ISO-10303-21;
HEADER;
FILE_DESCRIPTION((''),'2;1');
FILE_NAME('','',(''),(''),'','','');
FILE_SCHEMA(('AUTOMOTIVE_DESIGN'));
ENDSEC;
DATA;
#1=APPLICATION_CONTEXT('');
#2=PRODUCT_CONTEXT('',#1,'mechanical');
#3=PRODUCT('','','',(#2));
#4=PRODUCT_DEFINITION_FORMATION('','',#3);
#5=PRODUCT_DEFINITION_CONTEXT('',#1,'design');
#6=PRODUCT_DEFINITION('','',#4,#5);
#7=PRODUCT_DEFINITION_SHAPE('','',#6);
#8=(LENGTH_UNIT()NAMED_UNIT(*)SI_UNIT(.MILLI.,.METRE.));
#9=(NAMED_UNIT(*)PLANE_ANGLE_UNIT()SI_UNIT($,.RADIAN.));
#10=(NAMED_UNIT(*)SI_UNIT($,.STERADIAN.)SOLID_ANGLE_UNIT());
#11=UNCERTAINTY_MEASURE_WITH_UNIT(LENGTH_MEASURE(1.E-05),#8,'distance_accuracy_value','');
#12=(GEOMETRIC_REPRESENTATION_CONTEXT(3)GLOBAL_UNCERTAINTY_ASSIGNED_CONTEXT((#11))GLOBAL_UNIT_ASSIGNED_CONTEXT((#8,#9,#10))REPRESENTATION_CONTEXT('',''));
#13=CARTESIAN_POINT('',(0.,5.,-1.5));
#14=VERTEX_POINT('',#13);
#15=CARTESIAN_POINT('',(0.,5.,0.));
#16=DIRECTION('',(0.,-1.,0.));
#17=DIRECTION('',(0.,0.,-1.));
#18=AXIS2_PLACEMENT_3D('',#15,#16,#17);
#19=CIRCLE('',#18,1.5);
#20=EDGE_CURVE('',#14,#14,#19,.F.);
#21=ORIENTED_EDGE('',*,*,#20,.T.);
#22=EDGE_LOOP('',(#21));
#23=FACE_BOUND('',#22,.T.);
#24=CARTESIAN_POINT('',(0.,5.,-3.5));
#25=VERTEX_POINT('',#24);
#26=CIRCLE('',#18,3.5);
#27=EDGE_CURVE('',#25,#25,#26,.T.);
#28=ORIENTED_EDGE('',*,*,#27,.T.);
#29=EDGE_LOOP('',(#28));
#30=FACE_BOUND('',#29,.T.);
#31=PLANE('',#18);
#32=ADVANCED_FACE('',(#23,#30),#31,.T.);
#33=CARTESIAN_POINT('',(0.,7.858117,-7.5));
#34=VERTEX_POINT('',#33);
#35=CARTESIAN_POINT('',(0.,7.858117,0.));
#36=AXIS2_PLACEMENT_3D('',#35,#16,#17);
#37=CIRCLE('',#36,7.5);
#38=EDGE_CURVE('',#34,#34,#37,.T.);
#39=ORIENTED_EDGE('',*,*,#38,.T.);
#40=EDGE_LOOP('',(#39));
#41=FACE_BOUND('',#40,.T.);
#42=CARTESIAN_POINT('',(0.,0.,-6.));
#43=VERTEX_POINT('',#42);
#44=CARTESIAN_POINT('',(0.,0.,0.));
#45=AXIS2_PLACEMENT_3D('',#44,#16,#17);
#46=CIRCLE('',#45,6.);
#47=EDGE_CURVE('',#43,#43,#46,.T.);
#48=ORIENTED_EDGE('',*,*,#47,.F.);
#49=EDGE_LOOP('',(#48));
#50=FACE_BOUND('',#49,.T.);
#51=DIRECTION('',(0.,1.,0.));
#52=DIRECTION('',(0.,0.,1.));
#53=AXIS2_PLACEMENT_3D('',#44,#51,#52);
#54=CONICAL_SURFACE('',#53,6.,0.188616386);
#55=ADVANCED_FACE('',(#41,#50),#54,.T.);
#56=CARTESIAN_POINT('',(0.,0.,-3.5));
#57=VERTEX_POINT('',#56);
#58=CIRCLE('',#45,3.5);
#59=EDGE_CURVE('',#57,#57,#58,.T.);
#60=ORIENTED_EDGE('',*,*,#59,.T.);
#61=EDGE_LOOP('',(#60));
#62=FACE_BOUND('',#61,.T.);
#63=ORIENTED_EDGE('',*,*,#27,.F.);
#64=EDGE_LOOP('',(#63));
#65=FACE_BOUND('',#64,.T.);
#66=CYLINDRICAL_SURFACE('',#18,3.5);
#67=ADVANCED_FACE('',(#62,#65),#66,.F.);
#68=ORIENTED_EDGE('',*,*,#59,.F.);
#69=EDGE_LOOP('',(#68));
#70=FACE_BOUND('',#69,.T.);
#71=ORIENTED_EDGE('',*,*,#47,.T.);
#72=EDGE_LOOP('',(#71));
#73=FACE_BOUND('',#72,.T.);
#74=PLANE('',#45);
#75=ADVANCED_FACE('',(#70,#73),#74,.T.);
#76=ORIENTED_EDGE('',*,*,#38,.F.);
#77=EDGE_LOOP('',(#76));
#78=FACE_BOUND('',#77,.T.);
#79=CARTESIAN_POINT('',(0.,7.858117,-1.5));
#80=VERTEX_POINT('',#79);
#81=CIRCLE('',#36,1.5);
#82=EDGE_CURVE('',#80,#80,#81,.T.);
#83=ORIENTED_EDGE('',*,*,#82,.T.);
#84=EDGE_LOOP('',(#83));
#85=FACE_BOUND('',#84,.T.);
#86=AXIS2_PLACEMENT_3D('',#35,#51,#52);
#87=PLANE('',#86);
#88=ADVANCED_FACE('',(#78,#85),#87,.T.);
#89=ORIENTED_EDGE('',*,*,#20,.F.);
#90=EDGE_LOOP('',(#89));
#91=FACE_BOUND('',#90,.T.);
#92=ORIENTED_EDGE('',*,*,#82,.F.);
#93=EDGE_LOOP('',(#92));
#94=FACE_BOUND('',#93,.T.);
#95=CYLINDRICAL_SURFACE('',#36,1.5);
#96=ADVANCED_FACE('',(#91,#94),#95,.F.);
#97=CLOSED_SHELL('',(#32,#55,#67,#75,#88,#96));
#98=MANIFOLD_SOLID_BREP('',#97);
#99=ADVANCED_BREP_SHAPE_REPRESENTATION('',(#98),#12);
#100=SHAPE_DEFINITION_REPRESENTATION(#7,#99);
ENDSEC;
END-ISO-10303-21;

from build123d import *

# Parameters (mm, degrees)
SKETCH3_R          = 1.5
CUT_EXTRUDE1_DEPTH = 8.858116823
SKETCH4_R          = 3.5
CUT_EXTRUDE2_DEPTH = 5


with BuildPart() as part:
    # Sketch2 → Revolve1 (revolve)
    with BuildSketch(Plane.XY):
        Polygon((0, 0), (6, 0), (7.5, 7.858116823), (0, 7.858116823), align=None)
    revolve(axis=Axis((0, 0, 0), (0, 1, 0)))

    # Sketch3 → Cut-Extrude1 (cut, through all)
    with BuildSketch(Plane(origin=(0, 0, 0), x_dir=(-1, 0, 0), z_dir=(0, -1, 0))):
        Circle(SKETCH3_R)
    extrude(amount=-CUT_EXTRUDE1_DEPTH, mode=Mode.SUBTRACT)

    # Sketch4 → Cut-Extrude2 (cut)
    with BuildSketch(Plane(origin=(0, 0, 0), x_dir=(-1, 0, 0), z_dir=(0, -1, 0))):
        Circle(SKETCH4_R)
    extrude(amount=-CUT_EXTRUDE2_DEPTH, mode=Mode.SUBTRACT)


solid = part.part
